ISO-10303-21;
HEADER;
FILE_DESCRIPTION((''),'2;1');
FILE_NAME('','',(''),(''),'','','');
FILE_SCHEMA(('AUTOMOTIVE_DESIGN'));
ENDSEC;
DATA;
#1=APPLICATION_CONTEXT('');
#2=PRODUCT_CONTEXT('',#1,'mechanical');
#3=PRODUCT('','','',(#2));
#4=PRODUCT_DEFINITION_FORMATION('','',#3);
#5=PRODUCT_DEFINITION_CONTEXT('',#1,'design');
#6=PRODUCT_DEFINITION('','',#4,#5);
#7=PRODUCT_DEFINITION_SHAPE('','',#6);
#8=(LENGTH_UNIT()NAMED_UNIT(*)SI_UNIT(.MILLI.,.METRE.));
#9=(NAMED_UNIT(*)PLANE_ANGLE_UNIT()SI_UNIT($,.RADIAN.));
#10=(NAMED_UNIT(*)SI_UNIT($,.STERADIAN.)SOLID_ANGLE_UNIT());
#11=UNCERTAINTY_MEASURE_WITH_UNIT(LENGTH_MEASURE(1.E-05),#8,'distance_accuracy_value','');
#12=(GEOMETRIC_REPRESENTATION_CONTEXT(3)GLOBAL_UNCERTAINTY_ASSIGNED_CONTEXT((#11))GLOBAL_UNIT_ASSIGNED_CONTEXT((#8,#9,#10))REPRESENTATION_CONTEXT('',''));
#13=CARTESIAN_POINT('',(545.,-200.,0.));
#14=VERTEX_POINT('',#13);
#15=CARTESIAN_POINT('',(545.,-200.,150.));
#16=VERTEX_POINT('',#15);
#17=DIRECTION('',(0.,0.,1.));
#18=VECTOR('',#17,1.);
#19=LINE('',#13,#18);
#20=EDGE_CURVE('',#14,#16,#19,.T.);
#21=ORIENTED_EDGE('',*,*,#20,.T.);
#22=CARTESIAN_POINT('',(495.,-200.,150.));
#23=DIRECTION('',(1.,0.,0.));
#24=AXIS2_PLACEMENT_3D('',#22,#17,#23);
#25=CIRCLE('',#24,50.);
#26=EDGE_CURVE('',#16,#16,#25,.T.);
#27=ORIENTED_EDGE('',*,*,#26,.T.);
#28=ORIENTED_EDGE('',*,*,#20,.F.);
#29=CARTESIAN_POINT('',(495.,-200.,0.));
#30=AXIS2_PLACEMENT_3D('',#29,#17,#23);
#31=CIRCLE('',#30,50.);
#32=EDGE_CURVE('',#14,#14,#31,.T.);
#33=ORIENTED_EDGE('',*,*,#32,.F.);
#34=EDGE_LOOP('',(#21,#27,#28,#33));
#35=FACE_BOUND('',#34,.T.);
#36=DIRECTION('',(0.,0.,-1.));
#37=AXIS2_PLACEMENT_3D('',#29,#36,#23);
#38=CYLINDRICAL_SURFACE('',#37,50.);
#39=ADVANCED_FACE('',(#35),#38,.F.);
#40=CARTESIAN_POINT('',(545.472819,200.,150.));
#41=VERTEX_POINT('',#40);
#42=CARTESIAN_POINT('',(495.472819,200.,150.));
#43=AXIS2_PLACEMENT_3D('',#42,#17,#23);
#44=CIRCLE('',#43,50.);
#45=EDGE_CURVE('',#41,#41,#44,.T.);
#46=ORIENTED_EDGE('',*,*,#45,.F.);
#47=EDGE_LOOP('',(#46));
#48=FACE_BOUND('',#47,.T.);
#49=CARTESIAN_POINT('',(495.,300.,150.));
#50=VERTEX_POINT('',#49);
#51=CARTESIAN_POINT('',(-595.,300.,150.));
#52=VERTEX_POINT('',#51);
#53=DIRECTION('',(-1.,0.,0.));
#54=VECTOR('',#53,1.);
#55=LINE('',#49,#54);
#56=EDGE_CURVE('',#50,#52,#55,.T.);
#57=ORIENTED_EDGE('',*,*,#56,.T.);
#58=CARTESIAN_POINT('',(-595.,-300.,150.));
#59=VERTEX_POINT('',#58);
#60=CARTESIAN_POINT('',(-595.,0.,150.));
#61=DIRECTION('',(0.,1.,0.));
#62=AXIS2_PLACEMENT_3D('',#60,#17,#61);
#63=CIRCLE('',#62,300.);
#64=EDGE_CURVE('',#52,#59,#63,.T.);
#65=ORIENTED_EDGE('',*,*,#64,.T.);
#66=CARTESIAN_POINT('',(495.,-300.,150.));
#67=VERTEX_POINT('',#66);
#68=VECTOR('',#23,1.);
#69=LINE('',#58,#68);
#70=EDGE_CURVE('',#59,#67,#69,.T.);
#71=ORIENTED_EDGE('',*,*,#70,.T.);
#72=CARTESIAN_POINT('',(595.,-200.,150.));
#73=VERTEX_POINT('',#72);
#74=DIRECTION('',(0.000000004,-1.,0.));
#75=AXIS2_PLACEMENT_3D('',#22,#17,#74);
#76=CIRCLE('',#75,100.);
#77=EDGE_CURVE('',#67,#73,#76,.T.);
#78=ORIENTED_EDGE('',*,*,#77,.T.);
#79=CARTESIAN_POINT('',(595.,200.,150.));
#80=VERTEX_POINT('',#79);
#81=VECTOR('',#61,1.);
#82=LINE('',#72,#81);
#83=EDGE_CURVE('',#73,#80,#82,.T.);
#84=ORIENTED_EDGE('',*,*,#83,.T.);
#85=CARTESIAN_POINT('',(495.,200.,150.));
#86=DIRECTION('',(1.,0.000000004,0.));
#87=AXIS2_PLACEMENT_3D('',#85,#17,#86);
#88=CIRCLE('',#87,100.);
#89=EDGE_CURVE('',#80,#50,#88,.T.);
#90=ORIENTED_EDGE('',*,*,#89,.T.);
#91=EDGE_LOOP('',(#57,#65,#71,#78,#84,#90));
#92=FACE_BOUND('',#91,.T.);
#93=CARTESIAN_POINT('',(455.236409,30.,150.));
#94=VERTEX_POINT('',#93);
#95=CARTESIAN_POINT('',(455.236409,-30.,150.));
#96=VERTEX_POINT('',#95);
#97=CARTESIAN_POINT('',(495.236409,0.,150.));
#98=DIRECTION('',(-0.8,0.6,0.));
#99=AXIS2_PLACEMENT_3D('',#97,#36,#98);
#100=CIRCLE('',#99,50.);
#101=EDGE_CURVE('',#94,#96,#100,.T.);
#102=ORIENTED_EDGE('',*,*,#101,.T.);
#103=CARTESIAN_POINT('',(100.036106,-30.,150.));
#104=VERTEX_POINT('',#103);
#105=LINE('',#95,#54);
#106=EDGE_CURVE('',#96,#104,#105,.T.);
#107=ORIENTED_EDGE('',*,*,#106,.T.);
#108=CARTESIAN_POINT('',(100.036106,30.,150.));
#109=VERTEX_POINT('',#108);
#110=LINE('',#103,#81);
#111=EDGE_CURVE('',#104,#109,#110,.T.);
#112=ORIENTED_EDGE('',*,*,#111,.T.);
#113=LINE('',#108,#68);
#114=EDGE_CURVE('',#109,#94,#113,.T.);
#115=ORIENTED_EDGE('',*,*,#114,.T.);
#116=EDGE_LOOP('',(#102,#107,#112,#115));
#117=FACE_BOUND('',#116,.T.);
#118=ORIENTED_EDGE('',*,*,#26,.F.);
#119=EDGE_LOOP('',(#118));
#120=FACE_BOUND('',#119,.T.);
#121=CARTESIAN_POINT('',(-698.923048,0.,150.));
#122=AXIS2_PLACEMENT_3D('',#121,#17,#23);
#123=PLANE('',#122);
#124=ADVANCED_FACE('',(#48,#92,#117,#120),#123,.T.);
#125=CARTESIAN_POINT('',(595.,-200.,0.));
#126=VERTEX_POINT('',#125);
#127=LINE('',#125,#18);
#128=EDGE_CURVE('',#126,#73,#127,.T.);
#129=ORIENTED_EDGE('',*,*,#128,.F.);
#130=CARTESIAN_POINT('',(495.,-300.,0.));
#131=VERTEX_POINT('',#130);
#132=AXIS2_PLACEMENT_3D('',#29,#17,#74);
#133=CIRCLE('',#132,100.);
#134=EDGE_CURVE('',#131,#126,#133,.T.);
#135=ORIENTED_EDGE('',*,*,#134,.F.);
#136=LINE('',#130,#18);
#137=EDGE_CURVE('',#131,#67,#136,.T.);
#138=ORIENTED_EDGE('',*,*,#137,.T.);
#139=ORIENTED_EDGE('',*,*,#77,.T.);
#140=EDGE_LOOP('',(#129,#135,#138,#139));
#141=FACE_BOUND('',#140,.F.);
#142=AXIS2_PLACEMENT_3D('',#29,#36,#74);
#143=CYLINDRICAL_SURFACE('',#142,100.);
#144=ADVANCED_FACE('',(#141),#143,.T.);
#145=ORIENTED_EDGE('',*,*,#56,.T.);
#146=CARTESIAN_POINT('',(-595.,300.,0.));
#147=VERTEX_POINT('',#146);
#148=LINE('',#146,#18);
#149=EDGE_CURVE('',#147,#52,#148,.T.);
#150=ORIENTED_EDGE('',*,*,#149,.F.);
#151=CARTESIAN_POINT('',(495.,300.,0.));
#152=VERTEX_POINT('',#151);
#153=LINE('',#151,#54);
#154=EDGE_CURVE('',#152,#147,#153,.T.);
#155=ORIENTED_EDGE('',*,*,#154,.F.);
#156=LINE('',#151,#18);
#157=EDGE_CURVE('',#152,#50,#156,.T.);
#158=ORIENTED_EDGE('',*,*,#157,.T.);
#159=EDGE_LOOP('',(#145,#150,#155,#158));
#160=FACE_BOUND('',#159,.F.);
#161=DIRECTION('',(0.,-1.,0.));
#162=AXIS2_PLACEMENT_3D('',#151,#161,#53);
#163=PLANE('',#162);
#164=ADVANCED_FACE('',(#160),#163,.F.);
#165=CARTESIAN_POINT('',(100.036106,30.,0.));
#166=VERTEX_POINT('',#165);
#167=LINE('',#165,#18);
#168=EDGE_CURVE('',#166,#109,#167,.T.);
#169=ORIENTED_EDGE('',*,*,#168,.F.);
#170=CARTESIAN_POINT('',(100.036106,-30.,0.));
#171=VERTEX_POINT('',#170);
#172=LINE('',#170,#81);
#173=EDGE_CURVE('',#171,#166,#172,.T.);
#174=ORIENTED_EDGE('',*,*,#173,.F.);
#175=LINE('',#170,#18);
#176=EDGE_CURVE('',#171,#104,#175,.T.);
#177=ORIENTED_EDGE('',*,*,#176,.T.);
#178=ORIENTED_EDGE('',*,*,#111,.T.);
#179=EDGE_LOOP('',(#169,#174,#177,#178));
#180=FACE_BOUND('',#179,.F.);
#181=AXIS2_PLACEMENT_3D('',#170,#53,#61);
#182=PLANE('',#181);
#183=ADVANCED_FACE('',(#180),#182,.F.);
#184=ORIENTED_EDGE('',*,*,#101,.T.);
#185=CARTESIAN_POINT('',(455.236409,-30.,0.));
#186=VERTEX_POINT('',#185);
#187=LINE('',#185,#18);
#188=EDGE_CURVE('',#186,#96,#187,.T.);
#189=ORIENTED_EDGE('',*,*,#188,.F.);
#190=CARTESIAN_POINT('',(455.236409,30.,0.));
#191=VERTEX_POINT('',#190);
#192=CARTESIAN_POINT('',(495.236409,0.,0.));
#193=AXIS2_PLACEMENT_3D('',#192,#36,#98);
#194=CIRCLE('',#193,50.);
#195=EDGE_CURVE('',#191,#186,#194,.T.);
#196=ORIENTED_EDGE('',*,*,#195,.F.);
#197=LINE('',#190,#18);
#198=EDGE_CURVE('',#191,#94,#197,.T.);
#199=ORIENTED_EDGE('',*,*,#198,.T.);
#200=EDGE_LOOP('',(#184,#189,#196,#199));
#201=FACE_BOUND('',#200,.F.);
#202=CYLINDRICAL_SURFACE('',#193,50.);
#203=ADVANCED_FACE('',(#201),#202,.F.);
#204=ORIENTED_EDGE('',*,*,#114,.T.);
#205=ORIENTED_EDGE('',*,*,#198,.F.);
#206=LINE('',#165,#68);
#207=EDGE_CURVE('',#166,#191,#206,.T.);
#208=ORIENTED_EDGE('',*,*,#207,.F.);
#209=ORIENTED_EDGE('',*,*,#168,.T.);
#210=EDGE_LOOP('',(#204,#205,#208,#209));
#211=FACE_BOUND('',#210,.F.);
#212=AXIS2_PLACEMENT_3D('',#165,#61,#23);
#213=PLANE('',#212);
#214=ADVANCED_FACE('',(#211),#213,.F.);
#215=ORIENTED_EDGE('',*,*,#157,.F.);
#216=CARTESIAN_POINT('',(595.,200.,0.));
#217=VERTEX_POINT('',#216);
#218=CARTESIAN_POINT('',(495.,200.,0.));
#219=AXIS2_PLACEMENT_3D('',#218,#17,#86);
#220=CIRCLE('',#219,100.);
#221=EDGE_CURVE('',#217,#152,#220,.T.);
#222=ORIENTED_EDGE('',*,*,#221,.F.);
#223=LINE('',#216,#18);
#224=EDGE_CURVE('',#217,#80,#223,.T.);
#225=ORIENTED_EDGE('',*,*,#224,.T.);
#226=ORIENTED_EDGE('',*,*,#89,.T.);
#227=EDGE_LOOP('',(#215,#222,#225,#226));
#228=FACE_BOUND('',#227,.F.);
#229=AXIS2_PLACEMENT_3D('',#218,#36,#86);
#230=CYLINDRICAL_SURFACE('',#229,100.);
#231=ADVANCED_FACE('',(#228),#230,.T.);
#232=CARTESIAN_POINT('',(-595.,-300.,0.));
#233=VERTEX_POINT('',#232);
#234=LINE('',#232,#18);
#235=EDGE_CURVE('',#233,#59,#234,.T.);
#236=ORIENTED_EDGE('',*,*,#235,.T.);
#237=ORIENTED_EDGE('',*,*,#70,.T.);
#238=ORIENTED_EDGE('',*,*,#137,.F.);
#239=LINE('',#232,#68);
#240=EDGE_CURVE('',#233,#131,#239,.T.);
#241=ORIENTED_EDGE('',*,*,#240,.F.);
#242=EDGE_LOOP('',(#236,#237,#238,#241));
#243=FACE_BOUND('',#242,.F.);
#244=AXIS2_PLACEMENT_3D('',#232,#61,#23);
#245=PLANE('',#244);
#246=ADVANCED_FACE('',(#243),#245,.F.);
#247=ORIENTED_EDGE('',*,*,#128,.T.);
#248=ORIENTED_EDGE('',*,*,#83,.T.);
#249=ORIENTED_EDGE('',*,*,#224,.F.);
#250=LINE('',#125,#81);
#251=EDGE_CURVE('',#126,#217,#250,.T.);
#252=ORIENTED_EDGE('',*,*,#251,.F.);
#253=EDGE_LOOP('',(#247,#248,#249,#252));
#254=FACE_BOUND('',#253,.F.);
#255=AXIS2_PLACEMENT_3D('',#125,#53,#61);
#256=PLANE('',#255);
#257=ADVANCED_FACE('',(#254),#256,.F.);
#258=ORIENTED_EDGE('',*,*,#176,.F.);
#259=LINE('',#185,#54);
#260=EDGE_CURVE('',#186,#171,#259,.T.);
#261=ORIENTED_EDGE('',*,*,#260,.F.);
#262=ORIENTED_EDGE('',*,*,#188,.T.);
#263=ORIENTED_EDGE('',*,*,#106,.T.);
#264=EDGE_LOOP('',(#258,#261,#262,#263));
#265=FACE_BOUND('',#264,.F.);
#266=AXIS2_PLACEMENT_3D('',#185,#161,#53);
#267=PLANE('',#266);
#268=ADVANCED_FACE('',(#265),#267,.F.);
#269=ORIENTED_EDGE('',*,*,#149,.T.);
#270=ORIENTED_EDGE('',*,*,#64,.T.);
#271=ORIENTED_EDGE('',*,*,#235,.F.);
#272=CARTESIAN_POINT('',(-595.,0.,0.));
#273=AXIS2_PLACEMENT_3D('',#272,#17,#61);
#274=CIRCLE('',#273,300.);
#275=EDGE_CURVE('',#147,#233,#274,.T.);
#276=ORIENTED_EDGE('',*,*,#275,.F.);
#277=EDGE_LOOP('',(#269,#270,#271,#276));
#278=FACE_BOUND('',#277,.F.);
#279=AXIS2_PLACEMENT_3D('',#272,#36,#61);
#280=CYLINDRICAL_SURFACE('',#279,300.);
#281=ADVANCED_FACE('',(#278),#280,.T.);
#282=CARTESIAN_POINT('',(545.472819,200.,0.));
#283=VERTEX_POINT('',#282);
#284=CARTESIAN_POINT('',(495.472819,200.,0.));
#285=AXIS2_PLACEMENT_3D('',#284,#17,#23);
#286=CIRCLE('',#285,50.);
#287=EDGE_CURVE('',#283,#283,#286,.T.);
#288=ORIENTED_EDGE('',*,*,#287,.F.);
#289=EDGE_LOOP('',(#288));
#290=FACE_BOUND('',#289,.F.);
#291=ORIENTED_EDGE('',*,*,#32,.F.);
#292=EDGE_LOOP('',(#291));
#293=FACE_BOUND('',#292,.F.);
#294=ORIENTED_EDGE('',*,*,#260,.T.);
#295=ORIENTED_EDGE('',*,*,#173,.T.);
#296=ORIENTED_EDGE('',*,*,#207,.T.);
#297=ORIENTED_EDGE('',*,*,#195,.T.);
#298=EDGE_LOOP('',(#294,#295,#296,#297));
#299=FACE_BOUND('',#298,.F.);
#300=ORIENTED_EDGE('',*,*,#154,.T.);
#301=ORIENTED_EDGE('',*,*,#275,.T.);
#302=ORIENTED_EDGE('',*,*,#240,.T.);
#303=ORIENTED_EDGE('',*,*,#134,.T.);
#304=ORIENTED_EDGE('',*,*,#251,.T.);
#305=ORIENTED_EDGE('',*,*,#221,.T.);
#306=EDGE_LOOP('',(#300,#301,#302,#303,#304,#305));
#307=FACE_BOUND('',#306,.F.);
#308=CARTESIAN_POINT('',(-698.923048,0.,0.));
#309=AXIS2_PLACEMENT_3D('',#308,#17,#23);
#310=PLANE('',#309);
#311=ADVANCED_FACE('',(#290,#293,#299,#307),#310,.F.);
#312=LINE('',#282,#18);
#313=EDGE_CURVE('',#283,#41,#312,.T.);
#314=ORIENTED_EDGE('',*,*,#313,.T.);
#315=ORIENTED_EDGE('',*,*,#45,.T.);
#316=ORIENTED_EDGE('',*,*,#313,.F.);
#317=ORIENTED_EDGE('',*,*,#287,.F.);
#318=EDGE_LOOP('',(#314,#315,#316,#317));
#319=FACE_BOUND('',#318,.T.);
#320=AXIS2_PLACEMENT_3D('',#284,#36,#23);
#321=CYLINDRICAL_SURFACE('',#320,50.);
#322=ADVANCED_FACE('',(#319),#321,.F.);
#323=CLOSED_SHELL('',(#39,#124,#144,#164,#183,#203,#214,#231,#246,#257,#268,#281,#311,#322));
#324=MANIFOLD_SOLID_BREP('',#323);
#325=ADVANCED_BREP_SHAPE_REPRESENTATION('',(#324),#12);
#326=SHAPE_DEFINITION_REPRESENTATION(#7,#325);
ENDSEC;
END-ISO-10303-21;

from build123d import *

# Parameters (mm, degrees)
F0_R     = 50
F1_DEPTH = 150


with BuildPart() as f1:
    # F0 (on Top) → F1 (new body)
    with BuildSketch(Plane.XY):
        with BuildLine():
            ThreePointArc((-595, 300), (-895, 0), (-595, -300))
            Line((-595, -300), (-595, 300))
        make_face()
        with BuildLine():
            Line((-595, -300), (495, -300))
            ThreePointArc((495, -300), (565.710678, -270.710678), (595, -200))
            Line((595, -200), (595, 200))
            ThreePointArc((595, 200), (565.710678, 270.710678), (495, 300))
            Line((495, 300), (-595, 300))
            Line((-595, 300), (-595, -300))
        make_face()
        with Locations((495, -200)):
            Circle(F0_R, mode=Mode.SUBTRACT)
        with BuildLine():
            ThreePointArc((455.236409, 30), (545.236409, 0), (455.236409, -30))
            Line((455.236409, -30), (100.036106, -30))
            Line((100.036106, -30), (100.036106, 30))
            Line((100.036106, 30), (455.236409, 30))
        make_face(mode=Mode.SUBTRACT)
        with Locations((495.472819, 200)):
            Circle(F0_R, mode=Mode.SUBTRACT)
    extrude(amount=F1_DEPTH)


solid = f1.part
